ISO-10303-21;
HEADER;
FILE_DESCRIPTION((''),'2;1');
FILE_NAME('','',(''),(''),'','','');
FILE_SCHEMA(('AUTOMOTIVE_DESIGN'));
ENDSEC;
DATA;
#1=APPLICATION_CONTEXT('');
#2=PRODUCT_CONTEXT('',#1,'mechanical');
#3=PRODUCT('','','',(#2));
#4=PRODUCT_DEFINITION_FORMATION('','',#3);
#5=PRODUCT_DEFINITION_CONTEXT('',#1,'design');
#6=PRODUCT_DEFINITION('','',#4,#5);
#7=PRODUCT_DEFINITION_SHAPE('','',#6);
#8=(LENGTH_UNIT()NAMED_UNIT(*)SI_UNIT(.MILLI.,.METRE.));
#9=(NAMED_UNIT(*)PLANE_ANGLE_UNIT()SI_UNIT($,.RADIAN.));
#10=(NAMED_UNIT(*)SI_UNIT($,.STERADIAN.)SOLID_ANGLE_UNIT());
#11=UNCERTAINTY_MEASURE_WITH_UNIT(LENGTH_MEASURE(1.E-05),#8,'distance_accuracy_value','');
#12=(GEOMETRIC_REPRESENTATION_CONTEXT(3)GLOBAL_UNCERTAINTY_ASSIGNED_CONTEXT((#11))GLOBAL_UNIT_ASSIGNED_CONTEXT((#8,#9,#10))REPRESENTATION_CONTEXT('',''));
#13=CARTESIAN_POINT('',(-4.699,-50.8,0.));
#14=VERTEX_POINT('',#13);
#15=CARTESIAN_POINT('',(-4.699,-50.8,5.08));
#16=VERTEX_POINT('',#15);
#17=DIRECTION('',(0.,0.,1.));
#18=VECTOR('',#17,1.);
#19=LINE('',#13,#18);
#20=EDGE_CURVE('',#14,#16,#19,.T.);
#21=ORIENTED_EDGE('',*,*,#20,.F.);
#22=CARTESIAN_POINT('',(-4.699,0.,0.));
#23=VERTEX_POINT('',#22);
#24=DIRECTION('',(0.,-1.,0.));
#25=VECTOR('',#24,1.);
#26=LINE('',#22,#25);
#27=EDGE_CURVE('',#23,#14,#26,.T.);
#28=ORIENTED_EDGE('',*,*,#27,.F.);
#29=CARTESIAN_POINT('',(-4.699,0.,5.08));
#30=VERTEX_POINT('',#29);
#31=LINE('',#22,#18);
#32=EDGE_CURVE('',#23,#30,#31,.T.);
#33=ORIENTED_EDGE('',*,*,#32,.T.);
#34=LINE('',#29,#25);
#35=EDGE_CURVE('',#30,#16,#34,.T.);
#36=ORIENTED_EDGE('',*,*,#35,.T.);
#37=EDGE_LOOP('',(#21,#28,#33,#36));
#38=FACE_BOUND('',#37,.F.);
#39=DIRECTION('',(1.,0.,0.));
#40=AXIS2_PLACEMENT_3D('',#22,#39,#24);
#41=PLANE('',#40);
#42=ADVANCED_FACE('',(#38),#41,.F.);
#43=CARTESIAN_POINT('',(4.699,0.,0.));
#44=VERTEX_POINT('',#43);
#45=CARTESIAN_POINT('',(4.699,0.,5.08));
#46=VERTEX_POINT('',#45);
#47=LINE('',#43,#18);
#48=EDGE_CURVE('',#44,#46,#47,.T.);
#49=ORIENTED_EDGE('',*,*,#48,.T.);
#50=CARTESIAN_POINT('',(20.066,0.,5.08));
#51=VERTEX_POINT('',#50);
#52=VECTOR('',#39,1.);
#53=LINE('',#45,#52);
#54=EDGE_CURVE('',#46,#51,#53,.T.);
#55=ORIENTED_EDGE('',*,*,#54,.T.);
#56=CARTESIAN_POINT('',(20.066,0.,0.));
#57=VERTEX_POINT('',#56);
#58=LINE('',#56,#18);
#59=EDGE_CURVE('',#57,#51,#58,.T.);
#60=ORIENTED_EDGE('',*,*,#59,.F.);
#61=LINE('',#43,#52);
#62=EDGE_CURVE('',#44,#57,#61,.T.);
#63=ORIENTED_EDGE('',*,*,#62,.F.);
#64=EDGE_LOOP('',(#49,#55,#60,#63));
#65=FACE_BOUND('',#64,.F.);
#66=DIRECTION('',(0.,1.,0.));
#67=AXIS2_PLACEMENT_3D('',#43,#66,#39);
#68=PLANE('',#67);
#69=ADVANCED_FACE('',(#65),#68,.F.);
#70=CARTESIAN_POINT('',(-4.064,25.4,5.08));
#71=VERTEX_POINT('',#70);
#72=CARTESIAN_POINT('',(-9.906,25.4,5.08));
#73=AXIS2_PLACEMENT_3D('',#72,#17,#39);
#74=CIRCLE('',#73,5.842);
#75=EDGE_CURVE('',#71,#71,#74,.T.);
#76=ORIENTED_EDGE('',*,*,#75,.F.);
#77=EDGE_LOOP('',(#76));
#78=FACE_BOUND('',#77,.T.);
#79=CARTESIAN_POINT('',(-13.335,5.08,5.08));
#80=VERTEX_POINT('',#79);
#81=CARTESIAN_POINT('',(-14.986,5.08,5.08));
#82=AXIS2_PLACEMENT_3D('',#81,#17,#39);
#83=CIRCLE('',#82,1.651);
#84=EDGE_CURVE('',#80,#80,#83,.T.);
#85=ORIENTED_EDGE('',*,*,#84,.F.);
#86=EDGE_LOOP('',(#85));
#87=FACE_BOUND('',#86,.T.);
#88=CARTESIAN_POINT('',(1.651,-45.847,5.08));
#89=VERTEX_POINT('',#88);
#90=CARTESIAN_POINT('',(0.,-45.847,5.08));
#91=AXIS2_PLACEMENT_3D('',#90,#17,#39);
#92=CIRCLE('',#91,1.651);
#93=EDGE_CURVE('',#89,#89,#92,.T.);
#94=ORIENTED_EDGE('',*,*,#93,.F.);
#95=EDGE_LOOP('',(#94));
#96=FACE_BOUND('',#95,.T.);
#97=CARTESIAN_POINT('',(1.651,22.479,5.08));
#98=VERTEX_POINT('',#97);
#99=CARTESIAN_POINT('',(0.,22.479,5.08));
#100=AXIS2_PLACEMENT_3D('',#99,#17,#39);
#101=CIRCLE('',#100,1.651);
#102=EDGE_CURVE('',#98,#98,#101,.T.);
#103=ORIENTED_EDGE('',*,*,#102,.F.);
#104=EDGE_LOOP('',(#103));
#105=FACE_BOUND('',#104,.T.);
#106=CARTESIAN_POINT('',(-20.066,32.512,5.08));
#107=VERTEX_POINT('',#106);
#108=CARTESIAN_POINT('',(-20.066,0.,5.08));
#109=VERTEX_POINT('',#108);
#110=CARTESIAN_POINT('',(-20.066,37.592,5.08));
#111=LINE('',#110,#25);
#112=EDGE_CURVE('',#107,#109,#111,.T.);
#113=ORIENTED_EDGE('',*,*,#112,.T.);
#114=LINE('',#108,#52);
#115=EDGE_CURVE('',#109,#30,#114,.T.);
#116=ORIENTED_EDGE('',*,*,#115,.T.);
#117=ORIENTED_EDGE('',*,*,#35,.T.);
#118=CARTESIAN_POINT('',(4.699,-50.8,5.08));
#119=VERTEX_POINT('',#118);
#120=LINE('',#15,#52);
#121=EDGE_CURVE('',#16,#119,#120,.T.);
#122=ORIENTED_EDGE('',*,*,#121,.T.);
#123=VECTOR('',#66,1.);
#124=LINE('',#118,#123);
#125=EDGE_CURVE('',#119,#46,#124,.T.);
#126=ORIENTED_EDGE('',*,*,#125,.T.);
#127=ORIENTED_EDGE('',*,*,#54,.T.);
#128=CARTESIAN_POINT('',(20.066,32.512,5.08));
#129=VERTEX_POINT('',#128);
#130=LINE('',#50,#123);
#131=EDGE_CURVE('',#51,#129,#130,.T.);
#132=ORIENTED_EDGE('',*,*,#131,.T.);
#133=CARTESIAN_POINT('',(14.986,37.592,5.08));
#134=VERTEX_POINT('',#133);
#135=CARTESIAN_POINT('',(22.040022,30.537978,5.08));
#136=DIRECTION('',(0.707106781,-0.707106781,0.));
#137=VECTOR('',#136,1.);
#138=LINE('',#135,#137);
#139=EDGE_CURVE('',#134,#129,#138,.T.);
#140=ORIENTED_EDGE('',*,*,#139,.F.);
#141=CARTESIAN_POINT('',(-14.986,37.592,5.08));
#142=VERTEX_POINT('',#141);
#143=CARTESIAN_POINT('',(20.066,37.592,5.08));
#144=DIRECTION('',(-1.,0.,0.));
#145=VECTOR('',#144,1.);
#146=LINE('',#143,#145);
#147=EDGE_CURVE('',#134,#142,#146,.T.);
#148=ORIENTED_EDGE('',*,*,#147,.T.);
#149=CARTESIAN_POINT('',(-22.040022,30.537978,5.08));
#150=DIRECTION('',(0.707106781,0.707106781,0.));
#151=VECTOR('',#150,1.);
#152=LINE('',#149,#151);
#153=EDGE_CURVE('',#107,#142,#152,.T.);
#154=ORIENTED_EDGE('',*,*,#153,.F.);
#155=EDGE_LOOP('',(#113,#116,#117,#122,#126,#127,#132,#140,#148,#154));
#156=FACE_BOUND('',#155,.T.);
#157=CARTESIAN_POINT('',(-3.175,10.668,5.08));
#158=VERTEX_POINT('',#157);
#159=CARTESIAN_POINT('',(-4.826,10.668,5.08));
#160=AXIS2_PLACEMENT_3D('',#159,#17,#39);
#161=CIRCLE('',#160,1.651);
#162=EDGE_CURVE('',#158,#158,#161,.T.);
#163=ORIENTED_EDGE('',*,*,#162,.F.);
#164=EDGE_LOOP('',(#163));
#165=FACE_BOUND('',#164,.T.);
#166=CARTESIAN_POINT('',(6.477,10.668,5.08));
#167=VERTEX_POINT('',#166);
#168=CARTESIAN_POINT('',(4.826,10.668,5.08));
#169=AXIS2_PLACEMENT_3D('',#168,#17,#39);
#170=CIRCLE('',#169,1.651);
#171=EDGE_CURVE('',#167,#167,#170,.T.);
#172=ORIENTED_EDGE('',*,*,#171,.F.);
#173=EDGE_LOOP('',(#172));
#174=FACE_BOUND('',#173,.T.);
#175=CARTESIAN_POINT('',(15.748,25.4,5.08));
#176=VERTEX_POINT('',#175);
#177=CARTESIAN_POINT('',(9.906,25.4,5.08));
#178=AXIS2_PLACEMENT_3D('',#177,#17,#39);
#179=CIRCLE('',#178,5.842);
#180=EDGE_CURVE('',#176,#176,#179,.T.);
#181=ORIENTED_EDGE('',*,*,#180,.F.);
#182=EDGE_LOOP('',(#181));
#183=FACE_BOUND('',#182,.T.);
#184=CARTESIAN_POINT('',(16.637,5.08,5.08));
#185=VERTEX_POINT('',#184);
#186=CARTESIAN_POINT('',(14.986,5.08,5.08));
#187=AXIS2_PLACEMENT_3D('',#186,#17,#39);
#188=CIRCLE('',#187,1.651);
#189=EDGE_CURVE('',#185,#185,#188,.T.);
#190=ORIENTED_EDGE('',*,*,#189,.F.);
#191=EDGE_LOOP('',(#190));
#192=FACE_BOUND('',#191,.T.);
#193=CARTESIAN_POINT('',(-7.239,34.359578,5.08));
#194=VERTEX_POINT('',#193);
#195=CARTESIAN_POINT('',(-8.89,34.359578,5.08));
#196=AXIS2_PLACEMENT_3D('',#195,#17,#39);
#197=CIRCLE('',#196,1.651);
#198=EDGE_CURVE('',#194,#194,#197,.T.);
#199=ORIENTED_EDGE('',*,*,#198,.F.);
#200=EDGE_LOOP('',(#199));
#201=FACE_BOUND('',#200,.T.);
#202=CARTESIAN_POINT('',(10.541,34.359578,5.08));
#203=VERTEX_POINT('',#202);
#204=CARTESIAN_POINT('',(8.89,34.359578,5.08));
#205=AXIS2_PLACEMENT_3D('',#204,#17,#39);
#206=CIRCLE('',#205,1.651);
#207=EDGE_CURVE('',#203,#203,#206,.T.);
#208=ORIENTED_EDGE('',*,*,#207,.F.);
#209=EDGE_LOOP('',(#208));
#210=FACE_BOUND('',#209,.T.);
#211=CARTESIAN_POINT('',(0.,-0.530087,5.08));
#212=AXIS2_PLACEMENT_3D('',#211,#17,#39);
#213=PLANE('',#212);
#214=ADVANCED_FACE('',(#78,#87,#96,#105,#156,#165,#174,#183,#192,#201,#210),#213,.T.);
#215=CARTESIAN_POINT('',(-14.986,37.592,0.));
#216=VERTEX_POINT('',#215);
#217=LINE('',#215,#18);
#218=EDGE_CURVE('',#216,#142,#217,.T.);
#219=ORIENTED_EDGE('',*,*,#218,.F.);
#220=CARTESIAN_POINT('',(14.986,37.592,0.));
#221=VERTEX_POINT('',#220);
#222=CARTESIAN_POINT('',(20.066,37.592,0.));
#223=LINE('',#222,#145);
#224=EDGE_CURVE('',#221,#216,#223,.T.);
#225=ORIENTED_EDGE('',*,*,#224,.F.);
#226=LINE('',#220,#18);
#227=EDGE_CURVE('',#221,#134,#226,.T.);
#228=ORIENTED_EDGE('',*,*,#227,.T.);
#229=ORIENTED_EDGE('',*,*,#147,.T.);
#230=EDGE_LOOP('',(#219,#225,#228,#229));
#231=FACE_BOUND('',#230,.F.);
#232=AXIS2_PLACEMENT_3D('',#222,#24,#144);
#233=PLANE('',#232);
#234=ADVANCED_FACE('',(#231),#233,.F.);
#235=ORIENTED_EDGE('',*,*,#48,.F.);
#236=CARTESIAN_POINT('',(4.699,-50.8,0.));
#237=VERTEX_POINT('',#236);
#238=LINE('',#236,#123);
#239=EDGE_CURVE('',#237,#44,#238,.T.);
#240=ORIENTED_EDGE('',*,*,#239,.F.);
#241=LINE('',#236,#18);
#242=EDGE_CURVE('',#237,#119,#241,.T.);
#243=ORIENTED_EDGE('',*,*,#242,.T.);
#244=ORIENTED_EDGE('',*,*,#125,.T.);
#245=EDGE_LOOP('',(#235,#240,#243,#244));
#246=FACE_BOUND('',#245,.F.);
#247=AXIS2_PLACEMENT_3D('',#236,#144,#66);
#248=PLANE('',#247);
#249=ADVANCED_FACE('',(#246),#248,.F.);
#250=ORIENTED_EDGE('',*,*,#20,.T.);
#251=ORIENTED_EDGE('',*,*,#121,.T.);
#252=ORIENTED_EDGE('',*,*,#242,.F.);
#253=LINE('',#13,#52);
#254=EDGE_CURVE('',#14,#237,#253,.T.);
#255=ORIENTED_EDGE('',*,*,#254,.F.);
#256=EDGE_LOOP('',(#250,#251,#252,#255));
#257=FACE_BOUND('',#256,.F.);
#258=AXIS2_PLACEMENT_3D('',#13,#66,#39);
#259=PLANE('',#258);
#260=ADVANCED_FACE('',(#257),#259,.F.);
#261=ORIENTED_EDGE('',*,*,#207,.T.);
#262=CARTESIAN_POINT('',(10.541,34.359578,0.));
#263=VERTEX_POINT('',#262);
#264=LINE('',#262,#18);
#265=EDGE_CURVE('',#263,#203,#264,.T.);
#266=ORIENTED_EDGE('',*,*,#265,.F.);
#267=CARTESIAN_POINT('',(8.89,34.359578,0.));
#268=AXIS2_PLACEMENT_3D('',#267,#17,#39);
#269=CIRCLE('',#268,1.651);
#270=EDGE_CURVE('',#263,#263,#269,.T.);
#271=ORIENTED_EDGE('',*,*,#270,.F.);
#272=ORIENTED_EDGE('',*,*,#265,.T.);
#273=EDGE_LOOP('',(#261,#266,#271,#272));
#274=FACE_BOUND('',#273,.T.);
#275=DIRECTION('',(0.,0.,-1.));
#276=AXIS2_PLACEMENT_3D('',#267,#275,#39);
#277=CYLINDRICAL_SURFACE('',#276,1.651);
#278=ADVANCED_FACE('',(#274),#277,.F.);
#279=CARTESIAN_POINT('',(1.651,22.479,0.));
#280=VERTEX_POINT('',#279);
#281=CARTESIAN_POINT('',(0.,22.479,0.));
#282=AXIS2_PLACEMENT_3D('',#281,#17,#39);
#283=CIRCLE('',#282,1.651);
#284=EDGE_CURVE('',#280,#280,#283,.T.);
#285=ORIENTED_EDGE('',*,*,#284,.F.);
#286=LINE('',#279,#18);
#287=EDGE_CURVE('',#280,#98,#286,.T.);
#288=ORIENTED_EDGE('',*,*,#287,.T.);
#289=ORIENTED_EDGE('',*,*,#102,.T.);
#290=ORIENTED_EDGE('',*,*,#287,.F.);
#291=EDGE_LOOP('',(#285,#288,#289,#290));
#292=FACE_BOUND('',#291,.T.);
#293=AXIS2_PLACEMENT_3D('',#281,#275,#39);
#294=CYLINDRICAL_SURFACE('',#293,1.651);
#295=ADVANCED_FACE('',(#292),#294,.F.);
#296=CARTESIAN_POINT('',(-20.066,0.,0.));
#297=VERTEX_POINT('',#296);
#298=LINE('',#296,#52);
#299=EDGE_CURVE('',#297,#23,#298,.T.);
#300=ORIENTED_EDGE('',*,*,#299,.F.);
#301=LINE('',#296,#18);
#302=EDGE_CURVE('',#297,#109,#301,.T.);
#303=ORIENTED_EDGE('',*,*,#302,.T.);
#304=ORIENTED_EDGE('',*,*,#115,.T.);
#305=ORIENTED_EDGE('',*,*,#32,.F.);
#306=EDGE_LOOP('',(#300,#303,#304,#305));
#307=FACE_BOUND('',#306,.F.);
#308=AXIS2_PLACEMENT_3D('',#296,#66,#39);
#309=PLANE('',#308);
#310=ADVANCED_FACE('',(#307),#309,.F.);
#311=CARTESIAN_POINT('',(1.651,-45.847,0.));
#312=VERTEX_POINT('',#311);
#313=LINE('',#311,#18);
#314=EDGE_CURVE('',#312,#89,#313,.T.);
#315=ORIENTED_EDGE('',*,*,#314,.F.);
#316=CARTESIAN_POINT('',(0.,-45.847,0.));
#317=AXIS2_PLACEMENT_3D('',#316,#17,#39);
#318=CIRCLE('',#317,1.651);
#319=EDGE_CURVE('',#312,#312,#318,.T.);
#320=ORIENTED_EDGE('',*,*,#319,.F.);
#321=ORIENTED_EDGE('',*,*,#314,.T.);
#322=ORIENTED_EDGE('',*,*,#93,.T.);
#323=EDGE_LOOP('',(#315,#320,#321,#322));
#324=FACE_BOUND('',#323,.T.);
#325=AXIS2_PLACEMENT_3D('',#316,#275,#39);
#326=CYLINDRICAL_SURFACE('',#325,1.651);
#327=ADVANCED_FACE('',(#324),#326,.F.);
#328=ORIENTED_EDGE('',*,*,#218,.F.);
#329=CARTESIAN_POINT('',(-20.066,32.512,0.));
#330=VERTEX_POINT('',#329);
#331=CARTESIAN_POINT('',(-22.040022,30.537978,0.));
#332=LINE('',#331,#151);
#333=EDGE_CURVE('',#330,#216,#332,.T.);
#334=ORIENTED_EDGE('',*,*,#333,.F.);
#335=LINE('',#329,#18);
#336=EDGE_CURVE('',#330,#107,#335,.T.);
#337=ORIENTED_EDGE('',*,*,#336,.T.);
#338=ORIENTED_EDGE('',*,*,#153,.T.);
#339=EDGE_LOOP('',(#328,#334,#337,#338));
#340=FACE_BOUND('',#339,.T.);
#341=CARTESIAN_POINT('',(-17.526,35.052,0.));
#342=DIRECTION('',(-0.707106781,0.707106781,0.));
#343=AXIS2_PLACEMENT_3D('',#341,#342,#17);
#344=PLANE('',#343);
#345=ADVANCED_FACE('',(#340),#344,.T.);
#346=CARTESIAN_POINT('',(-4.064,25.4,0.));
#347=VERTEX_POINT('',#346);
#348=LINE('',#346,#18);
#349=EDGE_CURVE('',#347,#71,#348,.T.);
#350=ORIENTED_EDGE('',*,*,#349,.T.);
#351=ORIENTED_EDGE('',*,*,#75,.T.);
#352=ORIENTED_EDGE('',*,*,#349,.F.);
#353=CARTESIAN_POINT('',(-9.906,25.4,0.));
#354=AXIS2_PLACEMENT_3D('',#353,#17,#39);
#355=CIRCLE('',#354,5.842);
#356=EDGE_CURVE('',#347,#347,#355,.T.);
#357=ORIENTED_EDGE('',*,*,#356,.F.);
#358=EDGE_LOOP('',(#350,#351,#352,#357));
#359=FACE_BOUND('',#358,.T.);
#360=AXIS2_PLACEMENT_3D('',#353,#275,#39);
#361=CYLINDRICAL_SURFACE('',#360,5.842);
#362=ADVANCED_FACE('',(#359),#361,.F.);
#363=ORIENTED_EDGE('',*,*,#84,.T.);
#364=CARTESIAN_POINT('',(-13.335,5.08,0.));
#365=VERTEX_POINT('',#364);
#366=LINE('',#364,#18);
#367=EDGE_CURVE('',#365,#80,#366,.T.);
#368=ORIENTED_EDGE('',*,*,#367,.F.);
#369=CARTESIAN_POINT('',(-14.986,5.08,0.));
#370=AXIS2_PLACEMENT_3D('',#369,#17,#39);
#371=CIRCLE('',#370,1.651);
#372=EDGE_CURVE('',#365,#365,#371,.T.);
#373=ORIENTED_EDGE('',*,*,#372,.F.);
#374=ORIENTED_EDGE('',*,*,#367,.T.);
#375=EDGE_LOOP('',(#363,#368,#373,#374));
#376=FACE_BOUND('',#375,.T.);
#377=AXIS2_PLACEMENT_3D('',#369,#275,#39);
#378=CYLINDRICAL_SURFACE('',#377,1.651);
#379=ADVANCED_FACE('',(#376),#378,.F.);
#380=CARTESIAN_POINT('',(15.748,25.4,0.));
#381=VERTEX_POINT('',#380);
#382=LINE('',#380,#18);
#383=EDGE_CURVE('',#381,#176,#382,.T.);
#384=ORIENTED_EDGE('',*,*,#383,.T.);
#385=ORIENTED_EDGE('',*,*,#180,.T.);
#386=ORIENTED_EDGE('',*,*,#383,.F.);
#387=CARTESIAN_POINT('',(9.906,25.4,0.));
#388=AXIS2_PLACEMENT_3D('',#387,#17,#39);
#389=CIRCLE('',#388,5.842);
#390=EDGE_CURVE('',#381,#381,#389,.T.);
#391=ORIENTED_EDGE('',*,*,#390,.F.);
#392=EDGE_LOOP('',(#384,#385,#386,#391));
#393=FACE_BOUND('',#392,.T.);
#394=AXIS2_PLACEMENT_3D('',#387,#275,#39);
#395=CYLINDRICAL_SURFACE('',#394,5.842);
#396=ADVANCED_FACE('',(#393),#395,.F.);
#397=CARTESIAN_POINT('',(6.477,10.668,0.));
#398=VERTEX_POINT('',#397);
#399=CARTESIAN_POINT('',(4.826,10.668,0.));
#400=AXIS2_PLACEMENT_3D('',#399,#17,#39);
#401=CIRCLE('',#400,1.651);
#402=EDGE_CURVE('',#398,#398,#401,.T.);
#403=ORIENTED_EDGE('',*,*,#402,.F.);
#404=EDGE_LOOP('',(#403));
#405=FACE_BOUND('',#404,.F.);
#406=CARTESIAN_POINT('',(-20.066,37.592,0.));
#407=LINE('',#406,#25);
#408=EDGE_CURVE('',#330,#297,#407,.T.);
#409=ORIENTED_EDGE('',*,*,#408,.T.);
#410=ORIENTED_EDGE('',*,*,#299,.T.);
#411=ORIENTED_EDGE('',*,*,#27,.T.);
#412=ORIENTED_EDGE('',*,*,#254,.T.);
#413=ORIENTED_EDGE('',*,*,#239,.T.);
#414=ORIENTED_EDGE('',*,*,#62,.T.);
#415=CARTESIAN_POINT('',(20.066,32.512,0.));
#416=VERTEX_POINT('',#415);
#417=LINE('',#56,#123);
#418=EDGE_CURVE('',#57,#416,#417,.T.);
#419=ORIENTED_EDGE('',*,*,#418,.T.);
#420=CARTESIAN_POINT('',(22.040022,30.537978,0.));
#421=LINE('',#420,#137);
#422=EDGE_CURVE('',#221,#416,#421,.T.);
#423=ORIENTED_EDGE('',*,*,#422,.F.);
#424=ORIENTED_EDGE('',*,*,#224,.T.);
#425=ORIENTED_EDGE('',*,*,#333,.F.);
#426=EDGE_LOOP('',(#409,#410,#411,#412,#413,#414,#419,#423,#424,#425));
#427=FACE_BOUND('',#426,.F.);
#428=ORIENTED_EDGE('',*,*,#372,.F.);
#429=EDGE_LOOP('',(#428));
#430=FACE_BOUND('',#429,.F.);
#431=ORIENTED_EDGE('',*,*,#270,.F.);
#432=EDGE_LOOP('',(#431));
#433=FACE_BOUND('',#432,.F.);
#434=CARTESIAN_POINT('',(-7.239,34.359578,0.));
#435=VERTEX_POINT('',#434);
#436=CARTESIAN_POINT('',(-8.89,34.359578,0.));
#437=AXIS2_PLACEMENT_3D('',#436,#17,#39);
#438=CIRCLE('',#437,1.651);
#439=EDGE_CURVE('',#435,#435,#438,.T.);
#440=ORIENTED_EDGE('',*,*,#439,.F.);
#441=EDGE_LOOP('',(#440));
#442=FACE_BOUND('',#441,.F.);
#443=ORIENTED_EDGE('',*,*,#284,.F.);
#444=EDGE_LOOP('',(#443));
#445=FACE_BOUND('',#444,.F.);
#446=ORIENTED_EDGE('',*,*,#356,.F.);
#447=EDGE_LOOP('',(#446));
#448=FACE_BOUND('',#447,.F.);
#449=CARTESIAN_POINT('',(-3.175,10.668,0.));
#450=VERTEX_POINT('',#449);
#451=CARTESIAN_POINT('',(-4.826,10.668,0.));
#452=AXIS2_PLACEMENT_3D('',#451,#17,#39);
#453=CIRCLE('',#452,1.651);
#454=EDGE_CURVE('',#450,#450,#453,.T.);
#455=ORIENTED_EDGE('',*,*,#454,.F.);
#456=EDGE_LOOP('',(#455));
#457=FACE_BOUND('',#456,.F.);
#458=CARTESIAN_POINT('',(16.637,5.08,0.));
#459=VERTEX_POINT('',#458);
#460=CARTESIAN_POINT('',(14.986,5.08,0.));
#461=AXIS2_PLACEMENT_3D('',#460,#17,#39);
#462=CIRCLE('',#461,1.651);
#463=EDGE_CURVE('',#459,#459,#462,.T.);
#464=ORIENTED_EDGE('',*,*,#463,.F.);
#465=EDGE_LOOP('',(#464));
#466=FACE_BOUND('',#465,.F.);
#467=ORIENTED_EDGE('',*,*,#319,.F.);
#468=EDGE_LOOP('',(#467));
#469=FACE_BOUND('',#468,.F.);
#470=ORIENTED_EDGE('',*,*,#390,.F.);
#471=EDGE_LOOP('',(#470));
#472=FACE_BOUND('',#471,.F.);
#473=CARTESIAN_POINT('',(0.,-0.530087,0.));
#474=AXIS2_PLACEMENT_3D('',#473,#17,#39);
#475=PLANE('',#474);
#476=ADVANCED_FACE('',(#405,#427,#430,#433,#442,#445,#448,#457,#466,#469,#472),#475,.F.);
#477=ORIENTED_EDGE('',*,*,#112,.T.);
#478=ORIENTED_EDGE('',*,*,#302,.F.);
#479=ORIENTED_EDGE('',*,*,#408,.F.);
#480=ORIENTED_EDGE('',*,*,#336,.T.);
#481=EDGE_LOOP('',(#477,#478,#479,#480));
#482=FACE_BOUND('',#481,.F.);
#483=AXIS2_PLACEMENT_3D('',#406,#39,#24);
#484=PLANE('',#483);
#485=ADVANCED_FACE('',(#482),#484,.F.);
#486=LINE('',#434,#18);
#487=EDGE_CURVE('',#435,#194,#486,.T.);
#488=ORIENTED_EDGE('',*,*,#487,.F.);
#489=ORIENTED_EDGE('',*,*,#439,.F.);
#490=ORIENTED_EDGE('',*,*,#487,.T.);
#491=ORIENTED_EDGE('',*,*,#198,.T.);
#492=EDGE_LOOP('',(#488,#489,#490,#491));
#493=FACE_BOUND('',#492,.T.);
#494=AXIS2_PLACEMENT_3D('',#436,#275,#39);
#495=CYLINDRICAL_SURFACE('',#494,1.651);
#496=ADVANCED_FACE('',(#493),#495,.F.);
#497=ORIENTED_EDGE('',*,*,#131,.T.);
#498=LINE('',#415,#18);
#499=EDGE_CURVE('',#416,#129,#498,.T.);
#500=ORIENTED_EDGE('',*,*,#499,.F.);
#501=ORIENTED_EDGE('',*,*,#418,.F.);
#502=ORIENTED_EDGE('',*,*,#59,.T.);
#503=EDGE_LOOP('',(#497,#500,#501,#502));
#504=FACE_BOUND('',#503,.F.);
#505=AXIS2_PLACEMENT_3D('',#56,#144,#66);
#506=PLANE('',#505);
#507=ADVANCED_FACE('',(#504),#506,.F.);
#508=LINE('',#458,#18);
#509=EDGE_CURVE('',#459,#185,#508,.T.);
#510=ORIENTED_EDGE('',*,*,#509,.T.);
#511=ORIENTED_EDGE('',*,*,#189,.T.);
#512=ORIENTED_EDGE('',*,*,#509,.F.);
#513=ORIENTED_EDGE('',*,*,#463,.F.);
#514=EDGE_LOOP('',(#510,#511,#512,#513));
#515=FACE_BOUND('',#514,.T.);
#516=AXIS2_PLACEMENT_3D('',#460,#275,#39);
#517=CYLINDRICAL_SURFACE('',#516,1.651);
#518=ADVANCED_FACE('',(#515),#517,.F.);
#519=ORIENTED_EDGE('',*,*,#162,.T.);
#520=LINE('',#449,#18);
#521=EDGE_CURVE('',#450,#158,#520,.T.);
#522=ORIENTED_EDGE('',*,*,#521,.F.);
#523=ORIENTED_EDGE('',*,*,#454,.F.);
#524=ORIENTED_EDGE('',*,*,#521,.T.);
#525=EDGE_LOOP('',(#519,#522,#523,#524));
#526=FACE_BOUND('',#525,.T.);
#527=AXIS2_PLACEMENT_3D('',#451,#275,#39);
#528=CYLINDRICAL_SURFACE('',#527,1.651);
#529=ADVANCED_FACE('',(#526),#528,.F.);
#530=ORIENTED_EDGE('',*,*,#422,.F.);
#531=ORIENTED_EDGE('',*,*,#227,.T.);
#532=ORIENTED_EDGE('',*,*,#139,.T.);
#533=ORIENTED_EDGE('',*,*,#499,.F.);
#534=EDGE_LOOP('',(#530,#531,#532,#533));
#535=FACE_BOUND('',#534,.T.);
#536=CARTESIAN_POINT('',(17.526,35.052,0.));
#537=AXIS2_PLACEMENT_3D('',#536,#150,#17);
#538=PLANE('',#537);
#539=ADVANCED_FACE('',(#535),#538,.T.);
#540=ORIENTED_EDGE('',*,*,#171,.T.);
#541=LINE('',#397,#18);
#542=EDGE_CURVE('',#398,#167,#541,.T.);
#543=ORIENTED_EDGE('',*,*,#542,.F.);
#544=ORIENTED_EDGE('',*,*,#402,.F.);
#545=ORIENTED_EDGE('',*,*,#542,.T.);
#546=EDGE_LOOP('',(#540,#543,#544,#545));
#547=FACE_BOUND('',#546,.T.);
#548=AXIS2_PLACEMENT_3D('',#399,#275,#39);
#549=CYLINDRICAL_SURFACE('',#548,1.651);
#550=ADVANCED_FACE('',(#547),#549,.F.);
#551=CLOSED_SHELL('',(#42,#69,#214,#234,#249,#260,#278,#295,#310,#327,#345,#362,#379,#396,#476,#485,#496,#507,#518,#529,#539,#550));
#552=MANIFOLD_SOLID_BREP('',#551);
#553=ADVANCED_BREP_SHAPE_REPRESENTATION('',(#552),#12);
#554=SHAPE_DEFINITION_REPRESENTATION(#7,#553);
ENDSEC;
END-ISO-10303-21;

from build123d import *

# Parameters (mm, degrees)
F0_R     = 1.651
F0_R_2   = 5.842
F1_DEPTH = 5.08
F2_SIZE  = 5.08


with BuildPart() as f1:
    # F0 (on Top) → F1 (new body)
    with BuildSketch(Plane.XY):
        Polygon((-20.066, 37.592), (-20.066, 0), (-4.699, 0), (-4.699, -50.8), (4.699, -50.8), (4.699, 0), (20.066, 0), (20.066, 37.592), align=None)
        with Locations((0, -45.847)):
            Circle(F0_R, mode=Mode.SUBTRACT)
        with Locations((-14.986, 5.08)):
            Circle(F0_R, mode=Mode.SUBTRACT)
        with Locations((-4.826, 10.668)):
            Circle(F0_R, mode=Mode.SUBTRACT)
        with Locations((-9.906, 25.4)):
            Circle(F0_R_2, mode=Mode.SUBTRACT)
        with Locations((-8.89, 34.359578)):
            Circle(F0_R, mode=Mode.SUBTRACT)
        with Locations((4.826, 10.668)):
            Circle(F0_R, mode=Mode.SUBTRACT)
        with Locations((14.986, 5.08)):
            Circle(F0_R, mode=Mode.SUBTRACT)
        with Locations((0, 22.479)):
            Circle(F0_R, mode=Mode.SUBTRACT)
        with Locations((9.906, 25.4)):
            Circle(F0_R_2, mode=Mode.SUBTRACT)
        with Locations((8.89, 34.359578)):
            Circle(F0_R, mode=Mode.SUBTRACT)
    extrude(amount=F1_DEPTH)

    # F2
    f2_edges = [f1.edges().sort_by_distance(p)[0] for p in [
        (-20.066, 37.592, 2.54),
        (20.066, 37.592, 2.54),
    ]]
    chamfer(f2_edges, length=F2_SIZE)


solid = f1.part
